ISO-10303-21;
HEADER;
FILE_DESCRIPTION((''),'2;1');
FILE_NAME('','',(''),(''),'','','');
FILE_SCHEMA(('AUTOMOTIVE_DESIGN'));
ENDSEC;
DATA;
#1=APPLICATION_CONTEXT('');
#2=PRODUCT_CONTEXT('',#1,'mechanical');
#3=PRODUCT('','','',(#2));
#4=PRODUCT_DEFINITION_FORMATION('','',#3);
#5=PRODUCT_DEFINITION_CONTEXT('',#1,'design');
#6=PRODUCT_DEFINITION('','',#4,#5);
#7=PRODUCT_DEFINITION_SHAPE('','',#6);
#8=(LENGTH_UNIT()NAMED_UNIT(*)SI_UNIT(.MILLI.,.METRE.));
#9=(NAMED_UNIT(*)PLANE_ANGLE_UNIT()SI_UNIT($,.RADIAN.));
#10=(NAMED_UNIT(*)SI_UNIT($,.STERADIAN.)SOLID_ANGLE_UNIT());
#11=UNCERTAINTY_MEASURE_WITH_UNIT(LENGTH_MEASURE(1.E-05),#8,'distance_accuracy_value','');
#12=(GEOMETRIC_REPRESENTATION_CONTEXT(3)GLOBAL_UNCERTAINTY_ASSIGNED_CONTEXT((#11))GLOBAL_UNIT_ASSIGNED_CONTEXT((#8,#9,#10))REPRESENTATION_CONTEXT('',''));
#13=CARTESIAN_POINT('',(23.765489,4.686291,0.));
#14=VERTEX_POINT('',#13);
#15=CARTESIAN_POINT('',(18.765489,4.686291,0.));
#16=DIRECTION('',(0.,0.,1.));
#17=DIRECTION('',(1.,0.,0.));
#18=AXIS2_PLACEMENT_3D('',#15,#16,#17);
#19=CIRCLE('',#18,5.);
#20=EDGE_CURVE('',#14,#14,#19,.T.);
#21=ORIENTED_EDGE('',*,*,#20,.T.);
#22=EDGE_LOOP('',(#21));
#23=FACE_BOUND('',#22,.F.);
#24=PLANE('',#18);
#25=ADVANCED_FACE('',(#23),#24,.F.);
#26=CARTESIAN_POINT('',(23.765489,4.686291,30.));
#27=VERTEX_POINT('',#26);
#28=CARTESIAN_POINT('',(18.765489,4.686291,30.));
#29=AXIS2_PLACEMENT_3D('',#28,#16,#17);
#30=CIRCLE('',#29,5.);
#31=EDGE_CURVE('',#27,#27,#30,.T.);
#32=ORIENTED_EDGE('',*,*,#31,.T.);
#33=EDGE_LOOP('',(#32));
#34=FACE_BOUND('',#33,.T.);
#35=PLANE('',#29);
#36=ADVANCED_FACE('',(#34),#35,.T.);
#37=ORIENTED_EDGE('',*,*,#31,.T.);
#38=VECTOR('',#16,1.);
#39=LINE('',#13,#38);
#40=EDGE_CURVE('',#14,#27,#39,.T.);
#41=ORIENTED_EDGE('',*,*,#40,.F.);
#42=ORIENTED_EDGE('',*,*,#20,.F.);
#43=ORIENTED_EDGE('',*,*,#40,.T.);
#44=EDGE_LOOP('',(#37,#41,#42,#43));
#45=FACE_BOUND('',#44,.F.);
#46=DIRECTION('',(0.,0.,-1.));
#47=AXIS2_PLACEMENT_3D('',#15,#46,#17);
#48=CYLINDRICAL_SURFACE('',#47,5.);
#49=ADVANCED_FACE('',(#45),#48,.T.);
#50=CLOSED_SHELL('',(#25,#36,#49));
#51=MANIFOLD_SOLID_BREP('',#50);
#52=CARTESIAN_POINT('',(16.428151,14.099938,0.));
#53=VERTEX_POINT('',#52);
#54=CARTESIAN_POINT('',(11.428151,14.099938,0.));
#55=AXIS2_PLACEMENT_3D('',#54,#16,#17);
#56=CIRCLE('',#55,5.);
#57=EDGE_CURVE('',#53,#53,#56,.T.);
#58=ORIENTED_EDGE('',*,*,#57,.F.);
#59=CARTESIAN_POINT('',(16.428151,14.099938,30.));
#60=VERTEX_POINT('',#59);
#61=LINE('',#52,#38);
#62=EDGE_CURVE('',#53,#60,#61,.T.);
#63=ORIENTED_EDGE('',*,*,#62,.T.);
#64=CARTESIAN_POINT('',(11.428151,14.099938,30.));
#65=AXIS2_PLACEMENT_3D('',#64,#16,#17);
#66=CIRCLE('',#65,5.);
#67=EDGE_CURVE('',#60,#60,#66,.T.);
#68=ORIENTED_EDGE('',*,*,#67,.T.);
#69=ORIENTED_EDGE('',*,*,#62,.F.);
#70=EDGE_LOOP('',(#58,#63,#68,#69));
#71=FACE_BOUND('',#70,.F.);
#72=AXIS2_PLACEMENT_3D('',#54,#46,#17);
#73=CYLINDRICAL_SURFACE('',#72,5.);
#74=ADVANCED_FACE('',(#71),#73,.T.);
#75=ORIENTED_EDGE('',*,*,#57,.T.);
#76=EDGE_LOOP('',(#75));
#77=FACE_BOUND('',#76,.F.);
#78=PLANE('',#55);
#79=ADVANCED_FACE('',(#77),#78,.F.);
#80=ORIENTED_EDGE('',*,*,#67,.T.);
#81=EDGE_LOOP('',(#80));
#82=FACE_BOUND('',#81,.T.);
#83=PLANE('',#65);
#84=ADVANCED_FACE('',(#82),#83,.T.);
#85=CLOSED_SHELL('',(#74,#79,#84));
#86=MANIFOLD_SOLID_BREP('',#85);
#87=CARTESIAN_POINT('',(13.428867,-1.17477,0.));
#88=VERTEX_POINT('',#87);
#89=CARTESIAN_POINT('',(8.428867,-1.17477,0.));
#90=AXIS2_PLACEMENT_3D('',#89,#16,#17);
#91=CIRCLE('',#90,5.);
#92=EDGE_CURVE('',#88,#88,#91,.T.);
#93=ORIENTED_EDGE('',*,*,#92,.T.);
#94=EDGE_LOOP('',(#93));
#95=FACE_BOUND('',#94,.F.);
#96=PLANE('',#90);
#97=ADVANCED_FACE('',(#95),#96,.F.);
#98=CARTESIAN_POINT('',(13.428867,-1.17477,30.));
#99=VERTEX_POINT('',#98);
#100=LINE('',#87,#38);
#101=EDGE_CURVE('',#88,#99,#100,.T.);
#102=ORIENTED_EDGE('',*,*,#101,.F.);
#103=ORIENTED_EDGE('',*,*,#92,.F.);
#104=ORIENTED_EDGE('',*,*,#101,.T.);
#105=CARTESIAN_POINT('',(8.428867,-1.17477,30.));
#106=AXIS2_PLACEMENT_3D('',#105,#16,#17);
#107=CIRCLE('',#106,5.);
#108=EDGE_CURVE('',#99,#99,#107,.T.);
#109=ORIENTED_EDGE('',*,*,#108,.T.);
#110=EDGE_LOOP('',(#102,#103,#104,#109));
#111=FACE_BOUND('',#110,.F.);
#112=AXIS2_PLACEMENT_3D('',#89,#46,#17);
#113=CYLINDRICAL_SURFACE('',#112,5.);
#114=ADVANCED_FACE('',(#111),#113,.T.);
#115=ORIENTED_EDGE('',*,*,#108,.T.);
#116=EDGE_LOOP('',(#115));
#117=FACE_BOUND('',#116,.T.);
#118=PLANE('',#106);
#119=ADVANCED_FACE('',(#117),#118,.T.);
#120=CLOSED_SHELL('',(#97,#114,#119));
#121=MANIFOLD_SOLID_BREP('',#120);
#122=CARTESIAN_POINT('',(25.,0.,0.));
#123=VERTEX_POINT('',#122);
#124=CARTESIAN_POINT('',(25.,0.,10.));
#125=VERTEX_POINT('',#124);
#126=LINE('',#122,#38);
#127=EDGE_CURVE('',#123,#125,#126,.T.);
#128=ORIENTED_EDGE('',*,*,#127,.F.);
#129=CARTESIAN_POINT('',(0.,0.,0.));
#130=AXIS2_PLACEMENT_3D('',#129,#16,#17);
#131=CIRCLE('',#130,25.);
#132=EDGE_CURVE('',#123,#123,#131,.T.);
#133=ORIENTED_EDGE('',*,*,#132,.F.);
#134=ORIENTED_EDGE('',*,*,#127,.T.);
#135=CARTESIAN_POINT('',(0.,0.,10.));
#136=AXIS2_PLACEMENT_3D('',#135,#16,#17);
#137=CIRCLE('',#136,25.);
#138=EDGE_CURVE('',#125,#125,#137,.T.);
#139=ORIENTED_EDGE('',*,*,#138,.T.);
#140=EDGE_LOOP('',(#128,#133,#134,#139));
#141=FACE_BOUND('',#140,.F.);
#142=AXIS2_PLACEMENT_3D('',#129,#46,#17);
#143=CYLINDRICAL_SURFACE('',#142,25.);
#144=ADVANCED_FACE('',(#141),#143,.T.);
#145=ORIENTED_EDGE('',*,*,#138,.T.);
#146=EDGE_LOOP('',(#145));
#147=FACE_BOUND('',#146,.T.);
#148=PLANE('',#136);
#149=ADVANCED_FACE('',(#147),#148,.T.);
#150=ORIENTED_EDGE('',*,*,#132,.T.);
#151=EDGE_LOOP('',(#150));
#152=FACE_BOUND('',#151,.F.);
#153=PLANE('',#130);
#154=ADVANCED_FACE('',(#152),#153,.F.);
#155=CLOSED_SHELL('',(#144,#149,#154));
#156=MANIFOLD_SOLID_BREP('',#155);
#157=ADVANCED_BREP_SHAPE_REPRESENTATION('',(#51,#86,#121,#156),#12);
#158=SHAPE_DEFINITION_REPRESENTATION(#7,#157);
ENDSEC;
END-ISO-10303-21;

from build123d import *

# Parameters (mm, degrees)
F0_R     = 25
F1_DEPTH = 10
F2_R     = 5
F3_DEPTH = 30


with BuildPart() as f1:
    # F0 (on Top) → F1 (new body)
    with BuildSketch(Plane.XY):
        Circle(F0_R)
    extrude(amount=F1_DEPTH)


with BuildPart() as f3:
    # F2 (on Top) → F3 (new body)
    with BuildSketch(Plane.XY):
        with Locations((18.765489, 4.686291)):
            Circle(F2_R)
        with Locations((11.428151, 14.099938)):
            Circle(F2_R)
        with Locations((8.428867, -1.17477)):
            Circle(F2_R)
    extrude(amount=F3_DEPTH)


solid = Compound([f1.part, f3.part])
